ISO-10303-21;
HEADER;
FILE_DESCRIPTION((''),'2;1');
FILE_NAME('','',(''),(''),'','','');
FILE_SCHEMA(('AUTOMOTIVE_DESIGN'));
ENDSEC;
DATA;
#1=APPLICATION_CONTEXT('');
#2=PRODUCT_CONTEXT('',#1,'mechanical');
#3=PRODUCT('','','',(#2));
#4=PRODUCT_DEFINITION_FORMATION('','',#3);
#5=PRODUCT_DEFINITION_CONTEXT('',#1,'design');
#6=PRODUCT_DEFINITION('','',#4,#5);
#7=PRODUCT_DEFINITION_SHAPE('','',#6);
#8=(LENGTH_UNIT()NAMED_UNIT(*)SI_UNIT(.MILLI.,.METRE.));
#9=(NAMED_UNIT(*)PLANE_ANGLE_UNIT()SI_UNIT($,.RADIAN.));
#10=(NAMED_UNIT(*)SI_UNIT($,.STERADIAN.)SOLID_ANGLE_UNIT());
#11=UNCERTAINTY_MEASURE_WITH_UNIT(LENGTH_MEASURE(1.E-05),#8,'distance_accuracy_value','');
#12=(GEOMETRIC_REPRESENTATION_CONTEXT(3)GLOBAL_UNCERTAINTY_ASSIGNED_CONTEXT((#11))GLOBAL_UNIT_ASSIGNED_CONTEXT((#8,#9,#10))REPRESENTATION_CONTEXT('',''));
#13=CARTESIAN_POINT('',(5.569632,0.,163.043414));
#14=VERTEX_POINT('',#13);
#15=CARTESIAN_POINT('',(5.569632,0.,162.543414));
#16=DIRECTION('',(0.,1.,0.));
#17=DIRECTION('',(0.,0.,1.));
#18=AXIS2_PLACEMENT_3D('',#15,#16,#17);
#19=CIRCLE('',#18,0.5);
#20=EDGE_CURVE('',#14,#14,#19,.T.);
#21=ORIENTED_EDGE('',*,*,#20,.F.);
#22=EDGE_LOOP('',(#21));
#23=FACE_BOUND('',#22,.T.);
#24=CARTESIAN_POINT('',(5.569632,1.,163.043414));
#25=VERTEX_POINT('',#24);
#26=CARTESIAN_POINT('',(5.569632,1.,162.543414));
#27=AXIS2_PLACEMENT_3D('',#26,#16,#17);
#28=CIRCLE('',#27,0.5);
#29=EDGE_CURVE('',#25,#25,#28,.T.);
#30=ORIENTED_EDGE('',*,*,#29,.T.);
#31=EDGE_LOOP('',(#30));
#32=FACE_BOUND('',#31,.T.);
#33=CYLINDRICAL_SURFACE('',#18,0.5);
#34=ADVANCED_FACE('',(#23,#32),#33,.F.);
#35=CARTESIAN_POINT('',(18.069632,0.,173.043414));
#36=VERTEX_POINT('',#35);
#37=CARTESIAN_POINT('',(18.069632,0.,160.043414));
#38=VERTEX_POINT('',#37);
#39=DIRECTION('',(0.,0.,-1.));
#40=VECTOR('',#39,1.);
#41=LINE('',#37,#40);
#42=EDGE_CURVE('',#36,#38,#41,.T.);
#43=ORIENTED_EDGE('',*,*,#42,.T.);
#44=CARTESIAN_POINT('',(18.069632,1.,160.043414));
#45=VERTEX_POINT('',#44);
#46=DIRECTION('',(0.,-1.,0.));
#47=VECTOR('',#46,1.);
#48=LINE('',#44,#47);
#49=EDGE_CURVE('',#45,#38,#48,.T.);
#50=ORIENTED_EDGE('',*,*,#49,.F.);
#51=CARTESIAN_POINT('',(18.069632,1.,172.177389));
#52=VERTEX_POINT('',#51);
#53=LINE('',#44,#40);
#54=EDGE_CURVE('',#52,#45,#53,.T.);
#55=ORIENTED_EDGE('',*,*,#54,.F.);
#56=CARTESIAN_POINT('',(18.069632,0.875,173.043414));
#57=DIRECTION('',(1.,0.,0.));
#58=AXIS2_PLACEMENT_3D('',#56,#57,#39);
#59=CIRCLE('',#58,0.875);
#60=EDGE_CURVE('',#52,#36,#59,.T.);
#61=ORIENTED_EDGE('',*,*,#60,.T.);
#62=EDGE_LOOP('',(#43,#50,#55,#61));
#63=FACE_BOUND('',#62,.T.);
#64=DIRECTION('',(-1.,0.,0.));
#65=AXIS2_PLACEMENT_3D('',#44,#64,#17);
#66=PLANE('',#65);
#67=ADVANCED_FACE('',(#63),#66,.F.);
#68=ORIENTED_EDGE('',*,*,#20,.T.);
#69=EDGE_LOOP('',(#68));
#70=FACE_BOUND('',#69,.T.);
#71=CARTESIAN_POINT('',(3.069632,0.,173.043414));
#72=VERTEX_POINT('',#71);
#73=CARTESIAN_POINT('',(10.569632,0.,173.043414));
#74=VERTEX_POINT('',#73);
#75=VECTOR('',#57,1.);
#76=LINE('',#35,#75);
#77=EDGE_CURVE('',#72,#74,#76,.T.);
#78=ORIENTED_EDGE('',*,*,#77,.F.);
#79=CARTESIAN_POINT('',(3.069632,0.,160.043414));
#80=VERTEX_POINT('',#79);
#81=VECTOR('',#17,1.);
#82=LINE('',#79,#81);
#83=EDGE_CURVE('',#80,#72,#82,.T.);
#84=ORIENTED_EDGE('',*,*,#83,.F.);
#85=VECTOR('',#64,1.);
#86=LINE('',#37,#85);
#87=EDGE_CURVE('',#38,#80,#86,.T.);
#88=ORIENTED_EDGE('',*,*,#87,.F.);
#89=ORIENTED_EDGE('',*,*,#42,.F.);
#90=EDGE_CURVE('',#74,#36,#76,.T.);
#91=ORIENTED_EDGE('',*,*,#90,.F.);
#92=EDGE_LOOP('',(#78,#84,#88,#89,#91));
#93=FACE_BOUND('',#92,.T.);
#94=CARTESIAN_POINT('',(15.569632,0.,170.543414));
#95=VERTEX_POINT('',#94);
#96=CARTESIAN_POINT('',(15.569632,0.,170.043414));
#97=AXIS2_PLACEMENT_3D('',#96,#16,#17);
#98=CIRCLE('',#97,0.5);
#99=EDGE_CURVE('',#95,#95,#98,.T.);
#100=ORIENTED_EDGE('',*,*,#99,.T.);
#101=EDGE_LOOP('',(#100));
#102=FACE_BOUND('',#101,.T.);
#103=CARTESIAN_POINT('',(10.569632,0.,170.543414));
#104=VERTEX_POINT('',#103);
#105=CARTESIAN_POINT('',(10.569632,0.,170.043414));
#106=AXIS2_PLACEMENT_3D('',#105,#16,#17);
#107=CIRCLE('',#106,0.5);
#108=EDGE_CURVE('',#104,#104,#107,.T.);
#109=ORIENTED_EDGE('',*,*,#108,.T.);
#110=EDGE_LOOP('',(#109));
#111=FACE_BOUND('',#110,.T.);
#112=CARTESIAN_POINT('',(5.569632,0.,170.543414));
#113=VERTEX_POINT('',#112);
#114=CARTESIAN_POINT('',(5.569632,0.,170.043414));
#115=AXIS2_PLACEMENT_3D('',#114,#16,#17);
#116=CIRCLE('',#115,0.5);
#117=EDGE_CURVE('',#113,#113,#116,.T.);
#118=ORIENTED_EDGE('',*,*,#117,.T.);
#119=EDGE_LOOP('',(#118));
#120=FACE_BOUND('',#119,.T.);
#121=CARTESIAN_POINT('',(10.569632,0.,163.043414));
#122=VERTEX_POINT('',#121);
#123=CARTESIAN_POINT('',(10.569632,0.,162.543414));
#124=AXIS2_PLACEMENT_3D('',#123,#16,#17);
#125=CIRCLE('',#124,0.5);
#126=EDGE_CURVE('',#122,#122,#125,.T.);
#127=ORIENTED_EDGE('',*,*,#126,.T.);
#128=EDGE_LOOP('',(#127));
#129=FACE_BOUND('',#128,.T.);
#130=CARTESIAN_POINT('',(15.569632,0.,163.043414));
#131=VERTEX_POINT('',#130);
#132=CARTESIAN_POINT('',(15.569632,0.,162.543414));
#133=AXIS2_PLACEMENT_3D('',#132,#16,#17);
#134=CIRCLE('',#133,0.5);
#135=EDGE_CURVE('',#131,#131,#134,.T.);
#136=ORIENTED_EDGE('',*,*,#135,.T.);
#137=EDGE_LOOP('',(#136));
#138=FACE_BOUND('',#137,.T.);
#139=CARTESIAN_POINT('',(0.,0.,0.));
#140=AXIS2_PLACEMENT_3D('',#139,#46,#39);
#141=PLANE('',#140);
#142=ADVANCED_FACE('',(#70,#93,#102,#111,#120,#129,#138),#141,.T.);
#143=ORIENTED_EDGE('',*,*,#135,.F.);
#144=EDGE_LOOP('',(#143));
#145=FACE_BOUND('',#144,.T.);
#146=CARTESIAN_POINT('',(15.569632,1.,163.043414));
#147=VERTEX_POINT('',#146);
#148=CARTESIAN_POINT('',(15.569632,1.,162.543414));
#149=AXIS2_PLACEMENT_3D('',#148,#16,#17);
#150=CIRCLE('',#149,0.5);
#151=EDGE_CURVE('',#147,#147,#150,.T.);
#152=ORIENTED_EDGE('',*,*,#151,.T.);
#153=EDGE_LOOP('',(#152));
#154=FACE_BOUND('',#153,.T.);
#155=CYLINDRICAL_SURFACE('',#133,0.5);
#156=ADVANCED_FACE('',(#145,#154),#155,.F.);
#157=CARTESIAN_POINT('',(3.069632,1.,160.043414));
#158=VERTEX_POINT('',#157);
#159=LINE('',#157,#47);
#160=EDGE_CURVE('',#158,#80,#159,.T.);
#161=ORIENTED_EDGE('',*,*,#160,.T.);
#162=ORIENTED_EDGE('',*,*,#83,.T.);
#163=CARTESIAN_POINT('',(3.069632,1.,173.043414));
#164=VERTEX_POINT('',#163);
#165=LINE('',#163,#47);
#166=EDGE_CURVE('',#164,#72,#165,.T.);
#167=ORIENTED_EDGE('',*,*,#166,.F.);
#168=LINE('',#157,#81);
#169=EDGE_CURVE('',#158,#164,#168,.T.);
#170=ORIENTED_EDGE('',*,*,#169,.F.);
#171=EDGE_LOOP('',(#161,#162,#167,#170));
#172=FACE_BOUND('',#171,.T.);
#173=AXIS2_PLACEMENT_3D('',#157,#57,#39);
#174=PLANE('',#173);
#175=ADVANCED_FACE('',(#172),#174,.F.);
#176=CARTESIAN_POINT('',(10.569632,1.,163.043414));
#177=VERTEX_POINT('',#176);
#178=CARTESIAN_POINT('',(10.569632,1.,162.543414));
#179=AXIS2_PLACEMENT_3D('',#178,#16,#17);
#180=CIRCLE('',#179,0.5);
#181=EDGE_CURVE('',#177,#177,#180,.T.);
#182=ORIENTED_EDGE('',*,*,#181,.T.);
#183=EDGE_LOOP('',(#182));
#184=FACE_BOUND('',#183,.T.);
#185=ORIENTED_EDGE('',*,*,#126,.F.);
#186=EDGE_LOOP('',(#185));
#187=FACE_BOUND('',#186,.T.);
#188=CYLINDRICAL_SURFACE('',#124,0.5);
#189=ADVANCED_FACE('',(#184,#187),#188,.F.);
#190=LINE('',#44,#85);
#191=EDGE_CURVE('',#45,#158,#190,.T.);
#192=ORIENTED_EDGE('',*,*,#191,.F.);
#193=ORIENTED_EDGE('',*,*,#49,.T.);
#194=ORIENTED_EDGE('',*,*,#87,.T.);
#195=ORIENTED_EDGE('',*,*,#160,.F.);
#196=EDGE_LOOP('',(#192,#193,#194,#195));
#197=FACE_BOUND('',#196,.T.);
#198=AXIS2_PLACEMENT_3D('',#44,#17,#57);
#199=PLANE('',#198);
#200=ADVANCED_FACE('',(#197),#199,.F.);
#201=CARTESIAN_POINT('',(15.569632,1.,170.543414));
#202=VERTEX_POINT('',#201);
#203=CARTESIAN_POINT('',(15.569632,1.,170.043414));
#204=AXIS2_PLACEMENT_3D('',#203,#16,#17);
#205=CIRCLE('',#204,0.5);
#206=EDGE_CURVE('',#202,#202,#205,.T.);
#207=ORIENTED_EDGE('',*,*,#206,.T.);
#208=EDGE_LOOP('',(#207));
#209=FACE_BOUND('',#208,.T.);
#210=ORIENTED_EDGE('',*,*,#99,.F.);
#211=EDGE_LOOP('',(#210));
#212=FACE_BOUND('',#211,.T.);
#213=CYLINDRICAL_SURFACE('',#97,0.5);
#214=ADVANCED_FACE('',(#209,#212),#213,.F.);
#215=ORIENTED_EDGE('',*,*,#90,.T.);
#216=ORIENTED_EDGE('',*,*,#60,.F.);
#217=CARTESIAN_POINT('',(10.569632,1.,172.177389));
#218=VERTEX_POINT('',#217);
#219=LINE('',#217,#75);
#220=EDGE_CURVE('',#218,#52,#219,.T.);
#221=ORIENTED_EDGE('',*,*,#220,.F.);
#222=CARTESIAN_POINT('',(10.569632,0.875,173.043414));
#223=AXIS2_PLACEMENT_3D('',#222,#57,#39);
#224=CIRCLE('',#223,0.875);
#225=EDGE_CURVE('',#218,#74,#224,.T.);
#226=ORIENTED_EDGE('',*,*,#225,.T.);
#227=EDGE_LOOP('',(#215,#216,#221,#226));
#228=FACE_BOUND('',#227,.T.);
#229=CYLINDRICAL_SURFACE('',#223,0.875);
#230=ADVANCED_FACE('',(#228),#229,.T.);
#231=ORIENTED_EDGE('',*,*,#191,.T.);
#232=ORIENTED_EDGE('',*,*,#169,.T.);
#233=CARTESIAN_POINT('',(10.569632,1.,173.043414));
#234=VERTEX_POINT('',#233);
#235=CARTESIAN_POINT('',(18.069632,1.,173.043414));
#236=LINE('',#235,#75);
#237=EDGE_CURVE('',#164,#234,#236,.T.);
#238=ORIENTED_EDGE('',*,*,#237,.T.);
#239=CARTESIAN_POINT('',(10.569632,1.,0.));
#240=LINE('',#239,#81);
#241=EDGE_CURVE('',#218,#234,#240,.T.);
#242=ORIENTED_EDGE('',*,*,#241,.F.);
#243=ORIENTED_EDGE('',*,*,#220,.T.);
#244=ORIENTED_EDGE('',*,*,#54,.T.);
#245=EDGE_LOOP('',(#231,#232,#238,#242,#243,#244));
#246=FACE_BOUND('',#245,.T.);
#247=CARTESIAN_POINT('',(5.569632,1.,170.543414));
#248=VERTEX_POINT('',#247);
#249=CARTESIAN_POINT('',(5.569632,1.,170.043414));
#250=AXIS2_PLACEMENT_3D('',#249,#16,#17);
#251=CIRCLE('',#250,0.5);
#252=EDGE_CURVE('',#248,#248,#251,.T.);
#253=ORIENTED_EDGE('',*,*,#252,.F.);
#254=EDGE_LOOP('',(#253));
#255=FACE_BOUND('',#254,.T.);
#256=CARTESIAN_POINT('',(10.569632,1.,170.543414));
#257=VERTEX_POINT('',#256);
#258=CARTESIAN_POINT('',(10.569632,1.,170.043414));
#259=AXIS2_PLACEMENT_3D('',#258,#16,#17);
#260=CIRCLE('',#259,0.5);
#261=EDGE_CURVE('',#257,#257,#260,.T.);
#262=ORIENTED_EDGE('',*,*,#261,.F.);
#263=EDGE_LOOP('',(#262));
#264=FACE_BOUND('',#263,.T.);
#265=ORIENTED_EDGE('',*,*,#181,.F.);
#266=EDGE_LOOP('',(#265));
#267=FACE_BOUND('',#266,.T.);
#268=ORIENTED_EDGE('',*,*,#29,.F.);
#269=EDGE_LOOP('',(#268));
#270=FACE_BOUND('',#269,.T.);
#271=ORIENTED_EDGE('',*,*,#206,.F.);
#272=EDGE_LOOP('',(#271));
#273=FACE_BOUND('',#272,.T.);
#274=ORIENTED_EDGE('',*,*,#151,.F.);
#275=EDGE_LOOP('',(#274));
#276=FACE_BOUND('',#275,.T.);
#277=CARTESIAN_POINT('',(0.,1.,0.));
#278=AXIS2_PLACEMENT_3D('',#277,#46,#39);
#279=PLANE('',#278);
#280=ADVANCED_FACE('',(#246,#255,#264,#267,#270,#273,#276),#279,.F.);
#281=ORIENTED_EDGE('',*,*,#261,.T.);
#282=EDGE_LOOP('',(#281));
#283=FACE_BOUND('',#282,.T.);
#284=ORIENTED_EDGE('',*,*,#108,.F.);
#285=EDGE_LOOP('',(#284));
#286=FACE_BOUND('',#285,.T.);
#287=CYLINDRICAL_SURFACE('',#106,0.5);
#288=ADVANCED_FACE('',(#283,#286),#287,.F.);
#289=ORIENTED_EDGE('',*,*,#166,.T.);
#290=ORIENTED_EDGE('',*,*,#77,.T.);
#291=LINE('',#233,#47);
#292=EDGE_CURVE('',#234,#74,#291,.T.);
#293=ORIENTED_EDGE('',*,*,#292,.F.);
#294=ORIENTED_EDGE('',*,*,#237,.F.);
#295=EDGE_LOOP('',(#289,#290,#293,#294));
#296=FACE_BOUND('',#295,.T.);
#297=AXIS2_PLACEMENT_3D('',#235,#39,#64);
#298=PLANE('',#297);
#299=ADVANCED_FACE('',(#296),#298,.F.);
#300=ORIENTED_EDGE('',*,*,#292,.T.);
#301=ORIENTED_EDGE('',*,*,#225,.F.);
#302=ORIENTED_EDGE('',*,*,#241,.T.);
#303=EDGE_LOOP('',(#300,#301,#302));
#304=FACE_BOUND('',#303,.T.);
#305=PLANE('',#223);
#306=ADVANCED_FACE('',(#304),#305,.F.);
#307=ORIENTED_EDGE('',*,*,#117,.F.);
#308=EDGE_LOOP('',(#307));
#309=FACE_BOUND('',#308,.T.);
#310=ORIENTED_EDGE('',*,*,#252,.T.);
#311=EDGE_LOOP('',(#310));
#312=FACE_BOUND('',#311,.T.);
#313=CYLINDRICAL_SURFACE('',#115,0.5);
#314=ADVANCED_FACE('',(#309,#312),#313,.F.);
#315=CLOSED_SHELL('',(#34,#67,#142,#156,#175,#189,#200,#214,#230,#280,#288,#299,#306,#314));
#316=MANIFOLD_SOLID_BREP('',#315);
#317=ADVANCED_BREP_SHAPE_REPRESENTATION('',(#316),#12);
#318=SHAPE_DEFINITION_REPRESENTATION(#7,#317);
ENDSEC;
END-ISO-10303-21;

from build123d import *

# Parameters (mm, degrees)
SKETCH1_W           = 15
SKETCH1_H           = 13
BOSS_EXTRUDE1_DEPTH = 1
SKETCH2_R           = 0.875
BOSS_EXTRUDE2_DEPTH = 7.5
SKETCH3_R           = 0.5
CUT_EXTRUDE1_DEPTH  = 2


with BuildPart() as part:
    # Sketch1 → Boss-Extrude1 (new body)
    with BuildSketch(Plane(origin=(0, 0, 0), x_dir=(1, 0, 0), z_dir=(0, 1, 0))):
        with Locations((10.569631841, -166.54341444)):
            Rectangle(SKETCH1_W, SKETCH1_H)
    extrude(amount=BOSS_EXTRUDE1_DEPTH)

    # Sketch2 → Boss-Extrude2 (add)
    with BuildSketch(Plane(origin=(18.069631841, 0, 0), x_dir=(0, 0, -1), z_dir=(1, 0, 0))):
        with Locations((-173.04341444, 0.875)):
            Circle(SKETCH2_R)
    extrude(amount=-BOSS_EXTRUDE2_DEPTH)

    # Sketch3 → Cut-Extrude1 (cut, through all)
    with BuildSketch(Plane(origin=(0, 1, 0), x_dir=(1, 0, 0), z_dir=(0, 1, 0))):
        with Locations((15.569631841, -162.54341444)):
            Circle(SKETCH3_R)
        with Locations((15.569631841, -170.04341444)):
            Circle(SKETCH3_R)
        with Locations((10.569631841, -162.54341444)):
            Circle(SKETCH3_R)
        with Locations((10.569631841, -170.04341444)):
            Circle(SKETCH3_R)
        with Locations((5.569631841, -162.54341444)):
            Circle(SKETCH3_R)
        with Locations((5.569631841, -170.04341444)):
            Circle(SKETCH3_R)
    extrude(amount=-CUT_EXTRUDE1_DEPTH, mode=Mode.SUBTRACT)


solid = part.part
